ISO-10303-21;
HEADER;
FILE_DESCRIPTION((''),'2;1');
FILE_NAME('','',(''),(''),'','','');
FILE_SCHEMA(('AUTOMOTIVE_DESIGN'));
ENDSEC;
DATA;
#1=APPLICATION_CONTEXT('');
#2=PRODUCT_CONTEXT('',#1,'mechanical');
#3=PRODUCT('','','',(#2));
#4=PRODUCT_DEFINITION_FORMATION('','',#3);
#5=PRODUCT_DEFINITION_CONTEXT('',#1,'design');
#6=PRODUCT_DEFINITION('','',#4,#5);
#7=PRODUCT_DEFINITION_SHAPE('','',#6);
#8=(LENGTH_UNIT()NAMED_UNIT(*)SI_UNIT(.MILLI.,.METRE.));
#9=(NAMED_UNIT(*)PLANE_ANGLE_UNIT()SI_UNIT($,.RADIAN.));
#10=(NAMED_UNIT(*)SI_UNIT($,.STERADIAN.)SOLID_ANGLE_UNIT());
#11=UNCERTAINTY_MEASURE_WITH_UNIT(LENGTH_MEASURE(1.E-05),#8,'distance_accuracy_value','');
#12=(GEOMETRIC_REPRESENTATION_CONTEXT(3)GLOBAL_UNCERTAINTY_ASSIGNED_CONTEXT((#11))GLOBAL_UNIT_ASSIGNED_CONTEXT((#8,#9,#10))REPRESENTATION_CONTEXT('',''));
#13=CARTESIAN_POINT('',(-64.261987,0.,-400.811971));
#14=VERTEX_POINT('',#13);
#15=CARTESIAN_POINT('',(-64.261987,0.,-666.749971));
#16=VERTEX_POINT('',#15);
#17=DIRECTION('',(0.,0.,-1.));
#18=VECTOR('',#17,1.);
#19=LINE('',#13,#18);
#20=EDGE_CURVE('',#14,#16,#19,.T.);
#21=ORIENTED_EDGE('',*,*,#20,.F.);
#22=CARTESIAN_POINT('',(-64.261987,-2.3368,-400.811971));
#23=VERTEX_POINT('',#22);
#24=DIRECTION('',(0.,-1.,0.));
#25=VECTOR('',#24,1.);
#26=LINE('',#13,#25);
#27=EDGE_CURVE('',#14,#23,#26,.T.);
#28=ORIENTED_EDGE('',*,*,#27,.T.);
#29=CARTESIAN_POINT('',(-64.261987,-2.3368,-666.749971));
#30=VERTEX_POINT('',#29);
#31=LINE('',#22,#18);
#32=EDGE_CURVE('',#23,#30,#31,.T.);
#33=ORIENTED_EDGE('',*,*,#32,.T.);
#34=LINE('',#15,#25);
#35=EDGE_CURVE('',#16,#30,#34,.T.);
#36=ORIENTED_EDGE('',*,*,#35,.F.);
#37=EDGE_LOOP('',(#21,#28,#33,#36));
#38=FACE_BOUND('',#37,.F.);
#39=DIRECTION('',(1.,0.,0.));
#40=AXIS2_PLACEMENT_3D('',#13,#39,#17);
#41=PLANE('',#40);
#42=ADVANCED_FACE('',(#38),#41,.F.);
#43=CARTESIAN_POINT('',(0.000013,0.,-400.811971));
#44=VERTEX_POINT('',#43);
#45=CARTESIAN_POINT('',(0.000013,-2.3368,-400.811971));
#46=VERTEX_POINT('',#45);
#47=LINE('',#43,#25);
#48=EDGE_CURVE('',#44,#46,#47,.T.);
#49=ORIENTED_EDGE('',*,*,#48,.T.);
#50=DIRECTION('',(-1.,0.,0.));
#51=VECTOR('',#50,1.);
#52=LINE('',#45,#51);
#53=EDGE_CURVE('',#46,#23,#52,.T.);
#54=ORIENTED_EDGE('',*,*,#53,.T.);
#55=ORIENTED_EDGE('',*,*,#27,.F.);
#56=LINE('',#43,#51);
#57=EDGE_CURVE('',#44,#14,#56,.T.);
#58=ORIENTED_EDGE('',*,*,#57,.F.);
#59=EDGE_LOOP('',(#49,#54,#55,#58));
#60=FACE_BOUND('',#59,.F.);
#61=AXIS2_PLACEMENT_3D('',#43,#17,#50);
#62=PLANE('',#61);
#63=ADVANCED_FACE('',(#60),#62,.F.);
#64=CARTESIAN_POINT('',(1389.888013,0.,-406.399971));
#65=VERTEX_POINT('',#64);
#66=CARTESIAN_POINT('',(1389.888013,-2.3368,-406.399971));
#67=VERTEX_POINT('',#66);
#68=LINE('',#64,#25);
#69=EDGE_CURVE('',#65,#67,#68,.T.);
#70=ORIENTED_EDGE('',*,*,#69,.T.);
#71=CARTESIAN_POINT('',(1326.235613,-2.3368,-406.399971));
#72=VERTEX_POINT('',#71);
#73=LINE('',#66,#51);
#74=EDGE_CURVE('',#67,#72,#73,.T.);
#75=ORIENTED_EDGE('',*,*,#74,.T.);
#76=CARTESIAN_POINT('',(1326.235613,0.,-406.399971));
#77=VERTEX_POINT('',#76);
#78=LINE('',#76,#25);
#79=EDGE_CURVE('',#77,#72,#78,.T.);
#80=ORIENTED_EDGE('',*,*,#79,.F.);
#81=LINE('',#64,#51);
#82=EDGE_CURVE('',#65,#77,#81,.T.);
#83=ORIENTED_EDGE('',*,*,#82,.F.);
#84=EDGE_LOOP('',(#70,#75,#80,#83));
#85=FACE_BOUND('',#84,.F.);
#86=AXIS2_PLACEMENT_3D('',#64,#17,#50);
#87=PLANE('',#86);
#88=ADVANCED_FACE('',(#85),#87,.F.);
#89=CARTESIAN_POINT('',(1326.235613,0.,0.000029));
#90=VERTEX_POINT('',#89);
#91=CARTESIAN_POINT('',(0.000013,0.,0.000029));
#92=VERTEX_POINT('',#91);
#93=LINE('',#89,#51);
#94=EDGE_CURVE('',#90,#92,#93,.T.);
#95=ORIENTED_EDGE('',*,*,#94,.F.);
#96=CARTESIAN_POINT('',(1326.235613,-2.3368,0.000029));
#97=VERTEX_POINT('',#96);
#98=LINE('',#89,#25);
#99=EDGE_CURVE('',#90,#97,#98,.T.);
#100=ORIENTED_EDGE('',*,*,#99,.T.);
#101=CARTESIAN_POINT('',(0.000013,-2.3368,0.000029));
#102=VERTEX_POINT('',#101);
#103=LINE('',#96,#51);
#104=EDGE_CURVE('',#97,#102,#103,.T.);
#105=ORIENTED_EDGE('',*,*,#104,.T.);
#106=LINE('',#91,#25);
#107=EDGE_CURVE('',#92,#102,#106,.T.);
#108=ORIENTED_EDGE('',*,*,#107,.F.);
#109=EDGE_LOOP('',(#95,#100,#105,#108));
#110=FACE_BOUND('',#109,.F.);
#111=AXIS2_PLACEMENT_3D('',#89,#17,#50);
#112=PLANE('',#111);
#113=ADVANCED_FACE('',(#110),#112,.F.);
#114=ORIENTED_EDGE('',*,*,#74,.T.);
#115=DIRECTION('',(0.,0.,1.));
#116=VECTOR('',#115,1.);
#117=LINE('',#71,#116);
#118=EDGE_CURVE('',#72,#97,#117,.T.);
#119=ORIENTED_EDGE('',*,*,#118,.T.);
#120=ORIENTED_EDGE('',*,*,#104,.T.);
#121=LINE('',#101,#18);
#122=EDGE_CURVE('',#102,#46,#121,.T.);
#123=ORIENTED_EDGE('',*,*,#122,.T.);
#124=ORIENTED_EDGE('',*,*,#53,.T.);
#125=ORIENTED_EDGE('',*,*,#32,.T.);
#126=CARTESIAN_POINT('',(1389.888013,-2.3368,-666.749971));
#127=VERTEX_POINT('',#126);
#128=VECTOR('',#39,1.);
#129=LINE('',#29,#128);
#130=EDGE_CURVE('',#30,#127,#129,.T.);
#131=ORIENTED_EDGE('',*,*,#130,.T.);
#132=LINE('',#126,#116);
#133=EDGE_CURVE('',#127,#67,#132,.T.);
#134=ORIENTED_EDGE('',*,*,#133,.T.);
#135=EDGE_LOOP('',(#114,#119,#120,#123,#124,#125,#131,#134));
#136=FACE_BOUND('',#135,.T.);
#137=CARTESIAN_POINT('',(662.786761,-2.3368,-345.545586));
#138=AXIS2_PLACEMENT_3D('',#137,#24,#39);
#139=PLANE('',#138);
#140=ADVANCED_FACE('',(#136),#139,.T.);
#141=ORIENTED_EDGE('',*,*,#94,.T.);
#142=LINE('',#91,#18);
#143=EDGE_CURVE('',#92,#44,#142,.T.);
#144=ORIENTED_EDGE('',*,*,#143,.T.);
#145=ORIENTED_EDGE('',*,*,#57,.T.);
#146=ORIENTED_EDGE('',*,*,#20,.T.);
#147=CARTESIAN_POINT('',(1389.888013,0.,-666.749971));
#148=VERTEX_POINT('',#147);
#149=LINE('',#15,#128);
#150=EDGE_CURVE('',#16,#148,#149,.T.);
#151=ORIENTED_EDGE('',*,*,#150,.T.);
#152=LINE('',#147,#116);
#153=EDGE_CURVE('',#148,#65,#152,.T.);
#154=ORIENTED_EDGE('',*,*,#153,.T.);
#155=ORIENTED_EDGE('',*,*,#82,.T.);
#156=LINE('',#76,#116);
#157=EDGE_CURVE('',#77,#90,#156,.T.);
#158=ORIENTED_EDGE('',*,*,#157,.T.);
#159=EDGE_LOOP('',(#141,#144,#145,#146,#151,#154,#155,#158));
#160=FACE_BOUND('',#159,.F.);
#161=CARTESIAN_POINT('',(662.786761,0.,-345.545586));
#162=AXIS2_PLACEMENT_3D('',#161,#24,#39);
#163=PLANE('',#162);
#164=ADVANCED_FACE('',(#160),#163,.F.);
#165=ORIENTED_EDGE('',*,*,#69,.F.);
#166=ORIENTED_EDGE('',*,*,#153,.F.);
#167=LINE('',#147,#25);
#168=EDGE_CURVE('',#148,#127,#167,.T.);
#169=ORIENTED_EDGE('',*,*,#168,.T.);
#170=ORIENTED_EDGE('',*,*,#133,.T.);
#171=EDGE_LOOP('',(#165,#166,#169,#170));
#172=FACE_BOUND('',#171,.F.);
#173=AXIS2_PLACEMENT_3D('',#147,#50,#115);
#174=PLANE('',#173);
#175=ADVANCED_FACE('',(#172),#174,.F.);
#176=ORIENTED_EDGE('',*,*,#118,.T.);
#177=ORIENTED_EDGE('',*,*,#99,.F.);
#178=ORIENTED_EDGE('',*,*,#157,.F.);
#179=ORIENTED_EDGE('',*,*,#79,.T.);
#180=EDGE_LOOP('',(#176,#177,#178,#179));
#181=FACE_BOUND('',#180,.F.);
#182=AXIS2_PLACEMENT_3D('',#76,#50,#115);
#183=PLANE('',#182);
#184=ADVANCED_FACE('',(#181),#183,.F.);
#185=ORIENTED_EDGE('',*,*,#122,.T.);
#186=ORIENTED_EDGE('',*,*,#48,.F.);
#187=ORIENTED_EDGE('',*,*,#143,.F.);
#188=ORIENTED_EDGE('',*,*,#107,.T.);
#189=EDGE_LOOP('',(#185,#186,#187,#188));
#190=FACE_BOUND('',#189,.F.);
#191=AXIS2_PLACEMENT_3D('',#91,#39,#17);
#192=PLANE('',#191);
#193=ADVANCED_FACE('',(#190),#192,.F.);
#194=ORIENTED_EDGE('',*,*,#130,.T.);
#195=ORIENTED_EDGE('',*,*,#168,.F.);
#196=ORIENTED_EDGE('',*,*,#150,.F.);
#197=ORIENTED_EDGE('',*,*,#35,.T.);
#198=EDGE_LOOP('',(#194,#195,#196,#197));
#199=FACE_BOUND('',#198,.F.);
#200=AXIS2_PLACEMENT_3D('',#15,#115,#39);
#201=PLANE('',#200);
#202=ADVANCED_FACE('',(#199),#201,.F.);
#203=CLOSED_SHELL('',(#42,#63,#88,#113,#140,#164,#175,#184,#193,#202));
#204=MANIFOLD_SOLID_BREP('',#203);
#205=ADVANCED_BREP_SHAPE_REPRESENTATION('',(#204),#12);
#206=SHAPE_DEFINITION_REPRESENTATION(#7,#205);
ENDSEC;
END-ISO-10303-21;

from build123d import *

# Parameters (mm, degrees)
F1_DEPTH = 2.3368


with BuildPart() as f1:
    # F0 (on Front) → F1 (new body)
    with BuildSketch(Plane.XZ):
        Polygon((1326.235613, 2.9e-05), (1.3e-05, 2.9e-05), (1.3e-05, -400.811971), (-64.261987, -400.811971), (-64.261987, -666.749971), (1389.888013, -666.749971), (1389.888013, -406.399971), (1326.235613, -406.399971), align=None)
    extrude(amount=F1_DEPTH)


solid = f1.part
